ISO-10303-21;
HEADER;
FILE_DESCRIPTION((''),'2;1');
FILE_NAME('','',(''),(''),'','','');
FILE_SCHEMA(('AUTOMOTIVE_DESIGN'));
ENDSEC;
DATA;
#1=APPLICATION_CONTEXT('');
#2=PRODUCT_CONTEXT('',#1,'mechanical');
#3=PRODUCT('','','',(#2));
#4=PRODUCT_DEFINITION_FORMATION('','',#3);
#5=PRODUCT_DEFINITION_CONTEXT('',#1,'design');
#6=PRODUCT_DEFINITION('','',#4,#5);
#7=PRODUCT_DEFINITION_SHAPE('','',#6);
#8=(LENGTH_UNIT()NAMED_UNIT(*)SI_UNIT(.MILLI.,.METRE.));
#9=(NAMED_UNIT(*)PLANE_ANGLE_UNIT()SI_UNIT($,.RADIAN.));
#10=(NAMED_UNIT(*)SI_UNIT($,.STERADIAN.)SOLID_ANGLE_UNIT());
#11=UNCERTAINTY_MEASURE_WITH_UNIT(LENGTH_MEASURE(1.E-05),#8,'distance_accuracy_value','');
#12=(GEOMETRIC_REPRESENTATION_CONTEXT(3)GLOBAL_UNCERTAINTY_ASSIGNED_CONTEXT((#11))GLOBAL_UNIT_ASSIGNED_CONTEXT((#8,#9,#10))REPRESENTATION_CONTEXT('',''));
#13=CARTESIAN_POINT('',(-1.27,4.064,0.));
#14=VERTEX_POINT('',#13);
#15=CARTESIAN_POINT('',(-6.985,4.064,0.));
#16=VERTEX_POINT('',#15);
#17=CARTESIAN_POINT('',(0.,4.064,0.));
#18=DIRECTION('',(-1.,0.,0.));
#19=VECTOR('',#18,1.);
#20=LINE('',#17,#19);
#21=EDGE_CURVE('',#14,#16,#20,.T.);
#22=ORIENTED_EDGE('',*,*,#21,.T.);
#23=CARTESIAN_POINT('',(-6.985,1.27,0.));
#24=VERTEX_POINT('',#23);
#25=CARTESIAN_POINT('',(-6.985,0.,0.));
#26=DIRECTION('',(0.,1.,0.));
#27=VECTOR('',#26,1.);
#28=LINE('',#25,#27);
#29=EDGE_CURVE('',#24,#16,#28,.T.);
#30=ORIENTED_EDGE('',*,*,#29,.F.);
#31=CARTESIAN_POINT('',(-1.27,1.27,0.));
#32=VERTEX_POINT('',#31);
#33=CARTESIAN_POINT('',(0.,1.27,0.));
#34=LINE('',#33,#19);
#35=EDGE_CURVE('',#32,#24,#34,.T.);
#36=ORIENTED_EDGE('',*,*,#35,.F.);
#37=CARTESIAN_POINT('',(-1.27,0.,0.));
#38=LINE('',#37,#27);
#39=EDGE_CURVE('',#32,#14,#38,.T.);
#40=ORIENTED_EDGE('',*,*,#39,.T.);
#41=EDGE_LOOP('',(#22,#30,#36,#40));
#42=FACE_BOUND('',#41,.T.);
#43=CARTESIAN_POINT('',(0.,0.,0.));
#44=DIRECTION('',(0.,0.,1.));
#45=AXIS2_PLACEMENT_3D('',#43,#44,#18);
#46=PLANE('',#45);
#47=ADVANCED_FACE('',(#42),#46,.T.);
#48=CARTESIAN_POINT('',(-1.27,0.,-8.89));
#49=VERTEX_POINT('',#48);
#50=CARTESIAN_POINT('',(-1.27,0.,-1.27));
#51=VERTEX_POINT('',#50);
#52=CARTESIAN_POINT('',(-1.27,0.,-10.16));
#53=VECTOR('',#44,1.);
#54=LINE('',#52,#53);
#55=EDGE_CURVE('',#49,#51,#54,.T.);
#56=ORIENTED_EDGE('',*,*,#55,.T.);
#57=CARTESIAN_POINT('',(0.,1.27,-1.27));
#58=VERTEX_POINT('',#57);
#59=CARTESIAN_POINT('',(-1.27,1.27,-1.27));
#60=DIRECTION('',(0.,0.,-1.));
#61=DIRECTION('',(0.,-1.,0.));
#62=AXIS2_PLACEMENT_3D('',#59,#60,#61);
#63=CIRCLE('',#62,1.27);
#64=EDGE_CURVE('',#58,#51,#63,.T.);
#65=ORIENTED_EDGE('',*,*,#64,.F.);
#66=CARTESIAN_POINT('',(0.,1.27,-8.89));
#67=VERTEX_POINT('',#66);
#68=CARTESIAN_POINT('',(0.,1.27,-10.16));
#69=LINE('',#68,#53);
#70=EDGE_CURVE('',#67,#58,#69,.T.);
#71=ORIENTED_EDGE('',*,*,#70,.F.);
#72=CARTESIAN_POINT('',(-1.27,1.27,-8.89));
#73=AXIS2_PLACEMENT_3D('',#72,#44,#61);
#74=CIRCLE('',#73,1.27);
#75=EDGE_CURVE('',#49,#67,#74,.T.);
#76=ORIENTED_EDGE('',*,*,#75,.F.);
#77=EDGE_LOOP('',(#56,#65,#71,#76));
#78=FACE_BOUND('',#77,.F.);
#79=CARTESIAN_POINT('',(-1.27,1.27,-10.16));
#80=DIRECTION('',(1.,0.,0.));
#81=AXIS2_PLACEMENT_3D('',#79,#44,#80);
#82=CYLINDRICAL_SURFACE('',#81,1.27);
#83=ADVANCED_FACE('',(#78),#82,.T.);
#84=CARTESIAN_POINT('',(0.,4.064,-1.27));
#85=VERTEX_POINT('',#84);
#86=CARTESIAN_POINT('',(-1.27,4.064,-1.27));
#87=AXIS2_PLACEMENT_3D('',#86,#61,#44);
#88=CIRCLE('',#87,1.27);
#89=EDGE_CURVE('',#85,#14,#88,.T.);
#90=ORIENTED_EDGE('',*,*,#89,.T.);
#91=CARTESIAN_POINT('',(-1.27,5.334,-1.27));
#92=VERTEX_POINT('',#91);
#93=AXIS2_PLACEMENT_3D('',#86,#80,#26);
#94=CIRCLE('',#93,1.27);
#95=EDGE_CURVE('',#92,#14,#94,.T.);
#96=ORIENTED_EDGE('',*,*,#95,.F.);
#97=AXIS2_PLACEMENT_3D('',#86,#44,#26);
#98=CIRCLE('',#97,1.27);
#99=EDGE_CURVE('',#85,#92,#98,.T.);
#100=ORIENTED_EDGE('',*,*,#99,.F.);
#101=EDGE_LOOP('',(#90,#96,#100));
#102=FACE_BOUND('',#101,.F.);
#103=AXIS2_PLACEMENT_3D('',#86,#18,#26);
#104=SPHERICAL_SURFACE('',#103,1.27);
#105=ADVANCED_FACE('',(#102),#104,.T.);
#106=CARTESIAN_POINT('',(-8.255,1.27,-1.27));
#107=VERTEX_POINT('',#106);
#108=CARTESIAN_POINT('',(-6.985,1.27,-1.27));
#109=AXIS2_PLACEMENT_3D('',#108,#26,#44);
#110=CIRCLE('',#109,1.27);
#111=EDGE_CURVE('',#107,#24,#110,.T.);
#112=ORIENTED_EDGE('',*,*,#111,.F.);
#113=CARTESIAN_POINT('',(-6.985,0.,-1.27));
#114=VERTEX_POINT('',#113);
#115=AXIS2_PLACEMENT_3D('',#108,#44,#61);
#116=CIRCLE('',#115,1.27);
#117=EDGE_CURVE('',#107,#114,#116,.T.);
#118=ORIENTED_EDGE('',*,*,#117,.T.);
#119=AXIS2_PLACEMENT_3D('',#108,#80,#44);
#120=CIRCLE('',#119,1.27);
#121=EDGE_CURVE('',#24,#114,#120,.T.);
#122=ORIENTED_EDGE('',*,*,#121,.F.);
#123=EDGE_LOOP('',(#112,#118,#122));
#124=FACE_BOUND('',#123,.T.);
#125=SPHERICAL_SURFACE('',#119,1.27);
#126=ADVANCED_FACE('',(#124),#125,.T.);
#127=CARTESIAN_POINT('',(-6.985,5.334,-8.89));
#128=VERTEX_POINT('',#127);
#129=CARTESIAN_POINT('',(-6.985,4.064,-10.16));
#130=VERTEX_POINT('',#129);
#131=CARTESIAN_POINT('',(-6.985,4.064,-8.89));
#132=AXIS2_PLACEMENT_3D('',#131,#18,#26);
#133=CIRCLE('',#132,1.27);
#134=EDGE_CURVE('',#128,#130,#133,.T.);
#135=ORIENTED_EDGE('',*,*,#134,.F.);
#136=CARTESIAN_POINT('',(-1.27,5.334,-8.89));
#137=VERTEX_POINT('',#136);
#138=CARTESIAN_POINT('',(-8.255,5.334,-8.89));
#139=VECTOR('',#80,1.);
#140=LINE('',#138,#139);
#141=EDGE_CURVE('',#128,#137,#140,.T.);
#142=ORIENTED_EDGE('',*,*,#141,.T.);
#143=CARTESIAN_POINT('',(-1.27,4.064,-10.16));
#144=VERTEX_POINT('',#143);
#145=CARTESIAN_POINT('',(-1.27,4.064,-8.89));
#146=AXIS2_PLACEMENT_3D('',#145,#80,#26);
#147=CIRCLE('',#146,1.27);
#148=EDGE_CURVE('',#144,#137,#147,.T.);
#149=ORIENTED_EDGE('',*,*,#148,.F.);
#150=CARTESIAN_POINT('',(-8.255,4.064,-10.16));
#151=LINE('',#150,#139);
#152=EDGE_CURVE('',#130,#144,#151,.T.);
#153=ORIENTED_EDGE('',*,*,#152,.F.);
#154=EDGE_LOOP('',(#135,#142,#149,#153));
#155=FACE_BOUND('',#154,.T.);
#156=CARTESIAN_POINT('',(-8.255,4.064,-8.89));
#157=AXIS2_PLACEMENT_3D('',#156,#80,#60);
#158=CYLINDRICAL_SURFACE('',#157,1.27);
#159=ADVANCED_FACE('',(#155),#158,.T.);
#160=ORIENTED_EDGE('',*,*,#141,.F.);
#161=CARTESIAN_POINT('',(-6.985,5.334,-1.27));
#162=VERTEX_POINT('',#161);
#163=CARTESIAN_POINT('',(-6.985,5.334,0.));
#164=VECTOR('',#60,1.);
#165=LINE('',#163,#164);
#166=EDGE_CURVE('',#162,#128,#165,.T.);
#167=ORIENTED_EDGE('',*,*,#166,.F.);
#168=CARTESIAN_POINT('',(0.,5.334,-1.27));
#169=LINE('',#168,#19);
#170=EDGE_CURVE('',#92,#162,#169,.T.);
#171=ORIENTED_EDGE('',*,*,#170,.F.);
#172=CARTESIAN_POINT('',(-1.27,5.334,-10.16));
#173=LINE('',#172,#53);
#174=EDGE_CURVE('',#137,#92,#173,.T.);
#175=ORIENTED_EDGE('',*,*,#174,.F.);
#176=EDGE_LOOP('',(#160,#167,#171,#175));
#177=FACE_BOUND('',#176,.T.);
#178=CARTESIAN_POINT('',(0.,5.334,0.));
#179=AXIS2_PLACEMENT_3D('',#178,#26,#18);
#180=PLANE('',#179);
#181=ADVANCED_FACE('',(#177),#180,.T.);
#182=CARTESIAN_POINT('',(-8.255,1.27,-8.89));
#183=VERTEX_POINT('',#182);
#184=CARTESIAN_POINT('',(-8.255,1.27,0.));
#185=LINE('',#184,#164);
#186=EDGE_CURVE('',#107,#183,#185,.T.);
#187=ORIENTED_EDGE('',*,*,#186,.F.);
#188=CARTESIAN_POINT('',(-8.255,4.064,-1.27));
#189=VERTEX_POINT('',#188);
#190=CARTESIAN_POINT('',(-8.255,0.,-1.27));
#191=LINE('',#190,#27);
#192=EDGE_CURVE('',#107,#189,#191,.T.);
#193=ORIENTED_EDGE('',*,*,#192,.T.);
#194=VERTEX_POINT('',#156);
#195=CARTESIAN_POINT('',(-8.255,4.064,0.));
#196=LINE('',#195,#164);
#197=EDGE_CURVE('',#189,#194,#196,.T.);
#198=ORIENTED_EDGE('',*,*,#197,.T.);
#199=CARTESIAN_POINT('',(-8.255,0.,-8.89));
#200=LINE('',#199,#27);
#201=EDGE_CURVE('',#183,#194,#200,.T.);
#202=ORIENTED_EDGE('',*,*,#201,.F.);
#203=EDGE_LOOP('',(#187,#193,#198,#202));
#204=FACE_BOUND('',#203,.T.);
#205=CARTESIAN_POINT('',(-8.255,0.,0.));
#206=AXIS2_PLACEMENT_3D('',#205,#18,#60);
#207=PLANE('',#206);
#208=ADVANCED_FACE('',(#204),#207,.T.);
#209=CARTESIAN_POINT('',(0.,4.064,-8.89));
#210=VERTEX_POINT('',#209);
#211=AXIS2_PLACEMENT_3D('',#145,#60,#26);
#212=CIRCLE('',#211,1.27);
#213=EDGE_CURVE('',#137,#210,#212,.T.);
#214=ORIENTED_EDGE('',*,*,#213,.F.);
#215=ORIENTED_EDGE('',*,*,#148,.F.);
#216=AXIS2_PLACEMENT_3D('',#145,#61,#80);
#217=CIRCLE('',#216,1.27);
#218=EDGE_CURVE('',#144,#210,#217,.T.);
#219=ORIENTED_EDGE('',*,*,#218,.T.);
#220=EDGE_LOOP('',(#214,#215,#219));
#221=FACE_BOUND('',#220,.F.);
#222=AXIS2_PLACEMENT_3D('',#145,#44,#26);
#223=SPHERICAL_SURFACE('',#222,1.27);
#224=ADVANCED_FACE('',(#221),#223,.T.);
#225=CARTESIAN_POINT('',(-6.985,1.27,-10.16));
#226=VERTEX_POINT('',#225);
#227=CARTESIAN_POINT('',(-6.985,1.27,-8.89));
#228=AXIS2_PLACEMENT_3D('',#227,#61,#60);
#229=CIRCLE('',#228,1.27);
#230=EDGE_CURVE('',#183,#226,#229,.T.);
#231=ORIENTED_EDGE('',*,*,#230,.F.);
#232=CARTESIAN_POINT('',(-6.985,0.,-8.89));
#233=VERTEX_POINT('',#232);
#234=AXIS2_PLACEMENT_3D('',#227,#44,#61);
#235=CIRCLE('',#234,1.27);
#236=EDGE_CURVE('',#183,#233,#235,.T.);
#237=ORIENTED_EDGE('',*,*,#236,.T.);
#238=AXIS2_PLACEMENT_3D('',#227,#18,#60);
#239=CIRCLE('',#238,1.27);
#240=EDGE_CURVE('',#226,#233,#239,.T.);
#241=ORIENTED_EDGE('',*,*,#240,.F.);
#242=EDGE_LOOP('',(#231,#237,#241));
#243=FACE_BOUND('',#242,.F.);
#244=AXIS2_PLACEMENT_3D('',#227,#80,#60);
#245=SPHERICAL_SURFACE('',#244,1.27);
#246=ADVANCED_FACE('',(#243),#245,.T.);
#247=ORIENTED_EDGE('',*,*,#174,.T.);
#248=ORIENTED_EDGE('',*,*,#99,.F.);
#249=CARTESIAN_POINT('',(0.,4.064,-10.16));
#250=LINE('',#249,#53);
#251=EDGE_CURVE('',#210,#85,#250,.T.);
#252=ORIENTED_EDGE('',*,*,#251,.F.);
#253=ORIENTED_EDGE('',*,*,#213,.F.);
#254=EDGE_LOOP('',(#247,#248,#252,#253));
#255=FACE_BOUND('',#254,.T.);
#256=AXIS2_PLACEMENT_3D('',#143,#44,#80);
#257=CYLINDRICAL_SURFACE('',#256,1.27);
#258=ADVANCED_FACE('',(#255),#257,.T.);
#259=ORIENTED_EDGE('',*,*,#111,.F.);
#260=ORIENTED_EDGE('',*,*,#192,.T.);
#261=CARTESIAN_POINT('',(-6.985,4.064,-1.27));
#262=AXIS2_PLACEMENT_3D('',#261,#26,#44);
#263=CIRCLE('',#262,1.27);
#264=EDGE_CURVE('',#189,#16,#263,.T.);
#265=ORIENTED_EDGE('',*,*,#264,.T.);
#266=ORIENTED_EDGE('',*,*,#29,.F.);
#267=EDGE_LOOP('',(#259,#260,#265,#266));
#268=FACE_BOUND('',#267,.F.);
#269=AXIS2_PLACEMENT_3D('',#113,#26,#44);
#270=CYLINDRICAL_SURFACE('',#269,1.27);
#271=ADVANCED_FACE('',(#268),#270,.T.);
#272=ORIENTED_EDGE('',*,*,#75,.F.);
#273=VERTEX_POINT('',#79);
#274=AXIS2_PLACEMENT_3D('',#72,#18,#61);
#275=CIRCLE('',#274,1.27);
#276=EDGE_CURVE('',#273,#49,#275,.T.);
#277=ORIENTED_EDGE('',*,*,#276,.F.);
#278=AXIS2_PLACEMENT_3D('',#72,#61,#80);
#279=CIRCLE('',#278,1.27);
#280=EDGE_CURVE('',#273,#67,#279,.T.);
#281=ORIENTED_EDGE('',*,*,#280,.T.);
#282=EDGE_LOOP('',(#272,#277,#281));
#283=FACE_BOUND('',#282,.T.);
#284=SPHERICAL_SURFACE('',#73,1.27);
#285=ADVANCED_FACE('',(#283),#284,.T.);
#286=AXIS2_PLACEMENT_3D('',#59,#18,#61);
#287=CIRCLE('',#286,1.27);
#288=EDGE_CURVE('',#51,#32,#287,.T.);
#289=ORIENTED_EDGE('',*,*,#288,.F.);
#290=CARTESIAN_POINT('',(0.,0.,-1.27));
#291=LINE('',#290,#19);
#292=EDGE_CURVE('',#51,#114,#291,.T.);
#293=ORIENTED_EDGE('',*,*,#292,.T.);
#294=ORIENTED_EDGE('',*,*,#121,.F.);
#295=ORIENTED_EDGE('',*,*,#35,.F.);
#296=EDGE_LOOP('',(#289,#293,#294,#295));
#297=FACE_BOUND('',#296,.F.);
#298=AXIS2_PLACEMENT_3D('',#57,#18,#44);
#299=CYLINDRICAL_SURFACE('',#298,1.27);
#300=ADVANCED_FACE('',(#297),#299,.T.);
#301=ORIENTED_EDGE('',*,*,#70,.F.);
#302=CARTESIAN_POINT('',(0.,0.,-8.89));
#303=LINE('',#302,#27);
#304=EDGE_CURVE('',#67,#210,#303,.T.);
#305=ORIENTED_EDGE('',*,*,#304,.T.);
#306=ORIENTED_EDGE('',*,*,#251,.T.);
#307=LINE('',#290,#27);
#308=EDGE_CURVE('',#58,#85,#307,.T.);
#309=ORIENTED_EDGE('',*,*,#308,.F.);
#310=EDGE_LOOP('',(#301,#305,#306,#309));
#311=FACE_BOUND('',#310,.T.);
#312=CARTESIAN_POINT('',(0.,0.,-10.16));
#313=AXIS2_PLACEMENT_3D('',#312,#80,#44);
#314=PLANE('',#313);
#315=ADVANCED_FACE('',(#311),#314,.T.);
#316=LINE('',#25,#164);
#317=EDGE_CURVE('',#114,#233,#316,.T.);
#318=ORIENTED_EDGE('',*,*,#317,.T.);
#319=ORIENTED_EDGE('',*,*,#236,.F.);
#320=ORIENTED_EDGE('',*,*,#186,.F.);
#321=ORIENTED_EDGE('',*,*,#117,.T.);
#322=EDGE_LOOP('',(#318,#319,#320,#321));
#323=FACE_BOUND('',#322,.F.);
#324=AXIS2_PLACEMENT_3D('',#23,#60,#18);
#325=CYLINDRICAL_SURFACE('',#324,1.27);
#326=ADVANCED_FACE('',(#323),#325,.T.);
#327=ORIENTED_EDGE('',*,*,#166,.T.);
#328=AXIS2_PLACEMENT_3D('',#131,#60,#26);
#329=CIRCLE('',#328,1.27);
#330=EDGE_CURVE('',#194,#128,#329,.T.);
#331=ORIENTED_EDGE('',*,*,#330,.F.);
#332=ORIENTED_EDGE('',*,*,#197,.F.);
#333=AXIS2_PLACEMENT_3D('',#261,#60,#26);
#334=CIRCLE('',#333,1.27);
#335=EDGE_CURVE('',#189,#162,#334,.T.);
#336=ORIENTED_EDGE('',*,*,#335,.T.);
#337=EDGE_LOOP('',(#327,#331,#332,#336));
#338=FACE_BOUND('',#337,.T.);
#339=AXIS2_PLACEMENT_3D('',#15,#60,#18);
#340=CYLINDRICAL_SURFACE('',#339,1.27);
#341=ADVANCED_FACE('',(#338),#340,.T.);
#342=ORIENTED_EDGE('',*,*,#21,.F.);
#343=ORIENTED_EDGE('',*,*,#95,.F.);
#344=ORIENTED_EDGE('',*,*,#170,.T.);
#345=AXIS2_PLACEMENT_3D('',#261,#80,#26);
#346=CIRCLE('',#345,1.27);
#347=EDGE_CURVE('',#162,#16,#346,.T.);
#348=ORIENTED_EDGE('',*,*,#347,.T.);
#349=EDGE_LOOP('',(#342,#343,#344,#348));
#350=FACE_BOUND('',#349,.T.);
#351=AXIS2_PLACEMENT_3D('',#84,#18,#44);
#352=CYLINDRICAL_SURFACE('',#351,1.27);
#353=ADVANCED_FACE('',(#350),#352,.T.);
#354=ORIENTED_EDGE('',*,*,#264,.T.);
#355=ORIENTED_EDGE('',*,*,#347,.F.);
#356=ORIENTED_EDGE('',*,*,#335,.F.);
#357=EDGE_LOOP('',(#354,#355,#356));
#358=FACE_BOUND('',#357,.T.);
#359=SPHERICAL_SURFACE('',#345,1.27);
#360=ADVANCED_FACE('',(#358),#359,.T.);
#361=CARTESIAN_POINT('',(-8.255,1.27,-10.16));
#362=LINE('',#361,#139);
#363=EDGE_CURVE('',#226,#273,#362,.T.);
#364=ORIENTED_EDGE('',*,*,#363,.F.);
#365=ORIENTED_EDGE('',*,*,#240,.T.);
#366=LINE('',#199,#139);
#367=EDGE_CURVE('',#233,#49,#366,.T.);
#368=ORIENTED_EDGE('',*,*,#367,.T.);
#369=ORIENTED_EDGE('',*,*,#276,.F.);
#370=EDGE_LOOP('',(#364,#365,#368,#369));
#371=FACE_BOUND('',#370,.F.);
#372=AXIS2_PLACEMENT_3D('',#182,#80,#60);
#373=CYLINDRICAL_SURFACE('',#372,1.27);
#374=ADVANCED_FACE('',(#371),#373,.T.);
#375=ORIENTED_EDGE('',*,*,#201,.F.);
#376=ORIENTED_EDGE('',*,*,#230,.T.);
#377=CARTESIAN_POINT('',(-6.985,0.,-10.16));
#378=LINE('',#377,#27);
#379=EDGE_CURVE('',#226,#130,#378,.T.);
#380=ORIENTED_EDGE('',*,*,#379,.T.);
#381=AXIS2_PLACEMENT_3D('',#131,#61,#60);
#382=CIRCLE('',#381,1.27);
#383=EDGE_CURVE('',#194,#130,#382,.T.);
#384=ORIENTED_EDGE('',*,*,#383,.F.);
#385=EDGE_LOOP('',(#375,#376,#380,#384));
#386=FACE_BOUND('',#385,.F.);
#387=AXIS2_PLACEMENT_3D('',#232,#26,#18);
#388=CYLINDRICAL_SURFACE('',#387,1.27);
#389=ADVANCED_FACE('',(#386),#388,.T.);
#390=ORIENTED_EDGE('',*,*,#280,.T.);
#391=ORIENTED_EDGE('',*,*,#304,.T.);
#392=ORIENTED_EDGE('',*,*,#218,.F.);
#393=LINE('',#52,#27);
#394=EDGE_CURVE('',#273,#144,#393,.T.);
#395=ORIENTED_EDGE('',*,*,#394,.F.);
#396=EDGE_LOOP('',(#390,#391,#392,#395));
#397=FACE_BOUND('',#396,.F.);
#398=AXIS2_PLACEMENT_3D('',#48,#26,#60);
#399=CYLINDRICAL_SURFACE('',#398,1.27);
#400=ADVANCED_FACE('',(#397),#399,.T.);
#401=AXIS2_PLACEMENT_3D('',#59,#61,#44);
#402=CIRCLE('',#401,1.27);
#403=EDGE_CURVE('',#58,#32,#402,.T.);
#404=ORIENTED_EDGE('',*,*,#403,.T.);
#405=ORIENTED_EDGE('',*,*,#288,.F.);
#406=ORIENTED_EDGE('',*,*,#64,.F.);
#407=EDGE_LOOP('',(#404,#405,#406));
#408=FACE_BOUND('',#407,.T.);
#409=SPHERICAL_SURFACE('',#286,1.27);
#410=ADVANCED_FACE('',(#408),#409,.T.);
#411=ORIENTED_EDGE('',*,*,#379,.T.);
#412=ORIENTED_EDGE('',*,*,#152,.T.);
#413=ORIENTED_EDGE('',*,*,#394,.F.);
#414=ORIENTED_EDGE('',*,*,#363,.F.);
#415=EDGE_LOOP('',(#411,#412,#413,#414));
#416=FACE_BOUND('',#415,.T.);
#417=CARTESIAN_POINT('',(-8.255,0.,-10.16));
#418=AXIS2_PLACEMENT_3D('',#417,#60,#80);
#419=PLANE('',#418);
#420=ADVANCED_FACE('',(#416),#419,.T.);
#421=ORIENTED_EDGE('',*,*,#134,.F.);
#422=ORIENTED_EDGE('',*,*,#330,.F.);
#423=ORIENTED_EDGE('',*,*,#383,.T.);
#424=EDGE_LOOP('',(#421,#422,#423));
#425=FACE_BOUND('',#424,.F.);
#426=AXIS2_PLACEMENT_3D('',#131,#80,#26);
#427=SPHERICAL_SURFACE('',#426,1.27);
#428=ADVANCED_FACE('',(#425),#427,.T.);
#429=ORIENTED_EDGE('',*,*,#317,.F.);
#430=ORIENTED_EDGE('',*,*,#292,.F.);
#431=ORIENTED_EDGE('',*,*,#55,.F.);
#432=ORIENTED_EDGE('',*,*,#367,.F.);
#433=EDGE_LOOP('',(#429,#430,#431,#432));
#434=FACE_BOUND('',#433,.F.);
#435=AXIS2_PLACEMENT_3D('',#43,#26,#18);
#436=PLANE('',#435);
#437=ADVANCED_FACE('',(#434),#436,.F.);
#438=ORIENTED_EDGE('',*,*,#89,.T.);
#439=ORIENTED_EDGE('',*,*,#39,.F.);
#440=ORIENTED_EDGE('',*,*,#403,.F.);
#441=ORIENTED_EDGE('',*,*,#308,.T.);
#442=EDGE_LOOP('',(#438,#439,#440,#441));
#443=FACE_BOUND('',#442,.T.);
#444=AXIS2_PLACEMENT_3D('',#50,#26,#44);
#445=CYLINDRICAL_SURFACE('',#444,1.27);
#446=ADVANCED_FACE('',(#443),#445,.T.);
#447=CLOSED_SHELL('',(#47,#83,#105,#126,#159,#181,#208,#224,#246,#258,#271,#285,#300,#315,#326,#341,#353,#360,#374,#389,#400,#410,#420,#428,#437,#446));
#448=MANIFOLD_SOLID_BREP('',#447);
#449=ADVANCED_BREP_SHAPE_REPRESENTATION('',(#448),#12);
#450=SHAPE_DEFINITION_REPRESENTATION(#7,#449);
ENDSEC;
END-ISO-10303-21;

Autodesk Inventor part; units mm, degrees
ref_plane "YZ Plane" through (0, 0, 0) normal (1, 0, 0) x (0, 1, 0)
ref_plane "XZ Plane" through (0, 0, 0) normal (0, 1, 0) x (-1, 0, 0)
ref_plane "XY Plane" through (0, 0, 0) normal (0, 0, 1) x (1, 0, 0)
sketch "Sketch1" plane through (0, 0, 0) normal (0, 1, 0) x (-1, 0, 0)
  line L0 (0, 0) -> (8.255, 0)
  line L1 (8.255, 0) -> (8.255, -10.16)
  line L2 (8.255, -10.16) -> (0, -10.16)
  line L3 (0, -10.16) -> (0, 0)
  dimension "d0" = 8.255
  dimension "d1" = 10.16
extrude "Extrusion1" add sketch "Sketch1" along normal blind 5.334
fillet "Fillet1" radius 1.27 12 edges at (-4.1275, 5.334, 0) (0, 5.334, -5.08) (-4.1275, 5.334, -10.16) (-8.255, 5.334, -5.08) (-4.1275, 0, 0) (0, 0, -5.08) (-4.1275, 0, -10.16) (0, 2.667, -10.16) (-8.255, 2.667, -10.16) (-8.255, 2.667, 0) (-8.255, 0, -5.08) (0, 2.667, 0)
